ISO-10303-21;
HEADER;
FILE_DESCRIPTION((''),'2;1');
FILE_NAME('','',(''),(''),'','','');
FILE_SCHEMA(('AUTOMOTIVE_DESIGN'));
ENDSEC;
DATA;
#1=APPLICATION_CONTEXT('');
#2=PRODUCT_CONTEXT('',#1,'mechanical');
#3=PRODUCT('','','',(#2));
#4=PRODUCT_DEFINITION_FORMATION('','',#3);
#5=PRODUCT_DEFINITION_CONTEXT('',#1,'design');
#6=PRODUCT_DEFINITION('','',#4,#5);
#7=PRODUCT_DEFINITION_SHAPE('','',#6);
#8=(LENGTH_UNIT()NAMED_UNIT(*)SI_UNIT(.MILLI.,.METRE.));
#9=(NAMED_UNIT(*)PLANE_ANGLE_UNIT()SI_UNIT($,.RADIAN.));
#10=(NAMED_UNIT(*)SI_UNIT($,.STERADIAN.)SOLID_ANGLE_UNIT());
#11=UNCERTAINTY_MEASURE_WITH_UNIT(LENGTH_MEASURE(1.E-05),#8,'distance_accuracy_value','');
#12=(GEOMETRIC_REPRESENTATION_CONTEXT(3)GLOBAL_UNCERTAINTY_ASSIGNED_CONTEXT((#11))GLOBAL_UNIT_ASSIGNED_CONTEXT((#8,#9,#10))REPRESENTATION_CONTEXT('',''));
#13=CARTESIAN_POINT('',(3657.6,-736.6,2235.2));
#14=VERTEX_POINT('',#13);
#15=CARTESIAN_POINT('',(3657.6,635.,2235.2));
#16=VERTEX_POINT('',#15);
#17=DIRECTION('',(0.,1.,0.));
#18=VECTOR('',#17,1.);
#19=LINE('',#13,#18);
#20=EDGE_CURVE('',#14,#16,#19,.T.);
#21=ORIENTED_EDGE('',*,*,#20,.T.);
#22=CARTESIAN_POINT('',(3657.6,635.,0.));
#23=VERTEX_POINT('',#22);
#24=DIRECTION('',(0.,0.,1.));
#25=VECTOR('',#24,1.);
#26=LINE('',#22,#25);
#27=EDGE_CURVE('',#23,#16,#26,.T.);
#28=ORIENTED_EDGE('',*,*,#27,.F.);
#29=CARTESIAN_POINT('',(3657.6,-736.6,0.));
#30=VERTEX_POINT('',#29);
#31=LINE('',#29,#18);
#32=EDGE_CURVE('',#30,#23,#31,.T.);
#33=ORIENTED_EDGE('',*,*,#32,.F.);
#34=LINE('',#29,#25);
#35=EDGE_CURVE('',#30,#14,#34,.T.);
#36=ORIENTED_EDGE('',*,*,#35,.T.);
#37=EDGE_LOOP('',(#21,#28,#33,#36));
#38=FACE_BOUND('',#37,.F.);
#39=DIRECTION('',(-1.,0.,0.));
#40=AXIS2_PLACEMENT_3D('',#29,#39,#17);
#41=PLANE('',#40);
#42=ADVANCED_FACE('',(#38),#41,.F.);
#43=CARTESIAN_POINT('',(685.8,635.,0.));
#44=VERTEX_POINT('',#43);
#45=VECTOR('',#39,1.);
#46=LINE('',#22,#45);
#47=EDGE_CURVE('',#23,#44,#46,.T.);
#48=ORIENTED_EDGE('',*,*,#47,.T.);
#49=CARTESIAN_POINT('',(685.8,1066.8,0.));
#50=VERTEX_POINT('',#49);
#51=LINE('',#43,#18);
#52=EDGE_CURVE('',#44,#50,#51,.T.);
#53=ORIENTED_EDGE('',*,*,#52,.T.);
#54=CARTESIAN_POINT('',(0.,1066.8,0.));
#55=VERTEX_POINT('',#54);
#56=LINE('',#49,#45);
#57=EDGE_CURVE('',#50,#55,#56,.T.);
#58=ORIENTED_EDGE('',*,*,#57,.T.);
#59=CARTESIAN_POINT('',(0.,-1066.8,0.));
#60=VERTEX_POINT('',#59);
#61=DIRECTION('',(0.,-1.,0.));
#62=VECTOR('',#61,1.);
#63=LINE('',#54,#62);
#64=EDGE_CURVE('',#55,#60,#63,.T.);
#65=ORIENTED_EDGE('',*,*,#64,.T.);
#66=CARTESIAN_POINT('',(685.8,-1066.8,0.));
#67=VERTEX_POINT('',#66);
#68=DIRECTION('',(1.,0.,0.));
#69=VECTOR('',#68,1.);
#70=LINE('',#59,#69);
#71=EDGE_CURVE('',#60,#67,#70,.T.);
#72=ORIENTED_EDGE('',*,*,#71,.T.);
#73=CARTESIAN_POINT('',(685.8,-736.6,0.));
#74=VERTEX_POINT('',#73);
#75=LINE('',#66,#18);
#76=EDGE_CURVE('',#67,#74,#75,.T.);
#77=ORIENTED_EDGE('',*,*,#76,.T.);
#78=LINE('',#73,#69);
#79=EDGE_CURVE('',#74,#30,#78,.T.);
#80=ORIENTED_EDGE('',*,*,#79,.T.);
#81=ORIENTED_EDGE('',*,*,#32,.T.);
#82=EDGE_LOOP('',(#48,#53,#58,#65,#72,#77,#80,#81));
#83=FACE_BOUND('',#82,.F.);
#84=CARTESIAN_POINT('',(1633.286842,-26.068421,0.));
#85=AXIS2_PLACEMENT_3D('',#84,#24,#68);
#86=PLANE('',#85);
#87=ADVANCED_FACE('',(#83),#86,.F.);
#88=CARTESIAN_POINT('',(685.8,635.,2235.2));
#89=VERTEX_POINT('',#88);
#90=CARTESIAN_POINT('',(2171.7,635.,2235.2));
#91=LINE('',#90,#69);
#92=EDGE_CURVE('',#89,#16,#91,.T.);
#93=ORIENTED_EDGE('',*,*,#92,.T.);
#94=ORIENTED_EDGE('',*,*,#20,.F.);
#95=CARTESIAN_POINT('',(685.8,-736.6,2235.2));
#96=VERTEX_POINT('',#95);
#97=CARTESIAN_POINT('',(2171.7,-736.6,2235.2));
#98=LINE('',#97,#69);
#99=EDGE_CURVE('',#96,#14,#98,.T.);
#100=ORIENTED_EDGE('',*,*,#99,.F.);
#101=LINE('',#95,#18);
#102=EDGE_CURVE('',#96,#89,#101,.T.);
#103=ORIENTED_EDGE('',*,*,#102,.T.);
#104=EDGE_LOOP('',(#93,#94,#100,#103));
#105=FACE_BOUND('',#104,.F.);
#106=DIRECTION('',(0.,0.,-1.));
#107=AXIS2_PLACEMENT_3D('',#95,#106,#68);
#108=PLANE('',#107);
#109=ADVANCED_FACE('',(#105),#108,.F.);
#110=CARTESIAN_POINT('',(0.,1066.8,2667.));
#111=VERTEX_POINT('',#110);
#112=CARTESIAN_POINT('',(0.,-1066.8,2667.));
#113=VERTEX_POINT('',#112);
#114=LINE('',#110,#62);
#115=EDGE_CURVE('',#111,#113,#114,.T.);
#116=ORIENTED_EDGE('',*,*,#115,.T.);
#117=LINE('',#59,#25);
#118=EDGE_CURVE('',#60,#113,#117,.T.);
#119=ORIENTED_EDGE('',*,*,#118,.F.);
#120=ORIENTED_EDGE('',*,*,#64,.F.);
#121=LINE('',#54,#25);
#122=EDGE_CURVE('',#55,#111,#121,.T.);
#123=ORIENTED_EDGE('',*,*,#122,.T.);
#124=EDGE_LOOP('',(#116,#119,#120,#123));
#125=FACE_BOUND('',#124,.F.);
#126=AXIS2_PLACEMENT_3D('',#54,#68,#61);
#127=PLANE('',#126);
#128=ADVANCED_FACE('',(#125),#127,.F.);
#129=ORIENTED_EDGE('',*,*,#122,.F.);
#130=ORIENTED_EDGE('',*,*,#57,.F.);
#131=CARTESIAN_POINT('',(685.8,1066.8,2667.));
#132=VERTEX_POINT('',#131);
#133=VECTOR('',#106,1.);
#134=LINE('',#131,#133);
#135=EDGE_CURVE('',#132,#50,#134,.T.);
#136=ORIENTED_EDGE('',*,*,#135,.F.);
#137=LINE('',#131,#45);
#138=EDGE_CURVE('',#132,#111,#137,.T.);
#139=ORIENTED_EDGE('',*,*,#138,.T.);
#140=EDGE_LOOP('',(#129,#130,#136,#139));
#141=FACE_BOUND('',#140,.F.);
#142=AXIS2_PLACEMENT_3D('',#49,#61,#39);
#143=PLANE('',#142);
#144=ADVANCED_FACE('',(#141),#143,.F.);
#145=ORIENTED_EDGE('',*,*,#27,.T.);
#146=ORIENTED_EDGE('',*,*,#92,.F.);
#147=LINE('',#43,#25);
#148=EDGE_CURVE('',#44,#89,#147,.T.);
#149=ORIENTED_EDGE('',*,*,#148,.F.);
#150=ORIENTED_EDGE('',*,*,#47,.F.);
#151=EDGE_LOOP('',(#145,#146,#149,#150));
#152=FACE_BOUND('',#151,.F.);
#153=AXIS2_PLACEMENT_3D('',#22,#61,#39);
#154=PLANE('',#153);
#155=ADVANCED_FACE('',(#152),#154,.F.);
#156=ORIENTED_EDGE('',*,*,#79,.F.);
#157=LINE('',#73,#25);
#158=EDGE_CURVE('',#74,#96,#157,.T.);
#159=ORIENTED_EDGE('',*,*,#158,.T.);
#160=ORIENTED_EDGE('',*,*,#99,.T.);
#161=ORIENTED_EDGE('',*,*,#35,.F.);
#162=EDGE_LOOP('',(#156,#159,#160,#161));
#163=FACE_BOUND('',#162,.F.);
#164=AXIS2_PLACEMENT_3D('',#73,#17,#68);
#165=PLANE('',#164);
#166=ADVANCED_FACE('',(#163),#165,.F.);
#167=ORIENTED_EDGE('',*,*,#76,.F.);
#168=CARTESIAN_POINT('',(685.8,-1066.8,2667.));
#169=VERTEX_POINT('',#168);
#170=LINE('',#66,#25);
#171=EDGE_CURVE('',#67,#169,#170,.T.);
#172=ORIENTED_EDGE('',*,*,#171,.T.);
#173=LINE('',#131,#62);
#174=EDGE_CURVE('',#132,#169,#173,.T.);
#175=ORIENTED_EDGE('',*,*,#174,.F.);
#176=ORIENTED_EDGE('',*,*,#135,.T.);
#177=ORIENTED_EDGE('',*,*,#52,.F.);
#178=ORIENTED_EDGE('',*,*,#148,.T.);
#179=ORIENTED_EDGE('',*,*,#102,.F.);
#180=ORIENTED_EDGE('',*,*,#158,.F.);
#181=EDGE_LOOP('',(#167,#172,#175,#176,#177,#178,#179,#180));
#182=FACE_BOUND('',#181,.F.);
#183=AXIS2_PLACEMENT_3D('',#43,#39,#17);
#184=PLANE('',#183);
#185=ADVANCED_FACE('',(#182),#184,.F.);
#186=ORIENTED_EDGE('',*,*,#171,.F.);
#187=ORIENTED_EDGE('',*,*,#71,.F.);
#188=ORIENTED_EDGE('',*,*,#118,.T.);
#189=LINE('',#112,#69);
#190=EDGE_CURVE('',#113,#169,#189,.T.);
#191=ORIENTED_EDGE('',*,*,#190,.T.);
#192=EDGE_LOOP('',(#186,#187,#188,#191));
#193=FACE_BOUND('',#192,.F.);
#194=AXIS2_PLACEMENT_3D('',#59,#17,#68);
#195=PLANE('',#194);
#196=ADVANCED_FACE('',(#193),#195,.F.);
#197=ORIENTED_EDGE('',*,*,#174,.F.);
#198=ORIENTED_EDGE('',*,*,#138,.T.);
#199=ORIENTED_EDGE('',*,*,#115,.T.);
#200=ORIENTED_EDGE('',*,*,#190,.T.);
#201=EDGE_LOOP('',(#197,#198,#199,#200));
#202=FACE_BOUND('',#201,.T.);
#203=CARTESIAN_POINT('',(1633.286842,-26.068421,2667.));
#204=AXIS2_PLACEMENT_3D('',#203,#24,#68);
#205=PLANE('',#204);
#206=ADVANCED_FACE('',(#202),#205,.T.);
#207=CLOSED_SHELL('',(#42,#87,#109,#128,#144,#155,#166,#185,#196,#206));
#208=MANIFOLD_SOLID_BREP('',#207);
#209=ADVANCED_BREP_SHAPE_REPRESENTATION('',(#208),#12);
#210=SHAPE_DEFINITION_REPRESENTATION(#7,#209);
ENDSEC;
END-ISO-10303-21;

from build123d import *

# Parameters (mm, degrees)
F1_DEPTH = 2667
F2_W     = 2971.8
F2_H     = 431.8
F3_DEPTH = 1803.401


with BuildPart() as f1:
    # F0 (on Top) → F1 (new body)
    with BuildSketch(Plane.XY):
        Polygon((685.8, 1066.8), (0, 1066.8), (0, -1066.8), (685.8, -1066.8), (685.8, -736.6), (3657.6, -736.6), (3657.6, 635), (685.8, 635), align=None)
    extrude(amount=F1_DEPTH)

    # F2 (on face) → F3 (cut, through all)
    with BuildSketch(Plane.XZ.offset(736.6)):
        with Locations((2171.7, 2451.1)):
            Rectangle(F2_W, F2_H)
    extrude(amount=-F3_DEPTH, mode=Mode.SUBTRACT)


solid = f1.part
